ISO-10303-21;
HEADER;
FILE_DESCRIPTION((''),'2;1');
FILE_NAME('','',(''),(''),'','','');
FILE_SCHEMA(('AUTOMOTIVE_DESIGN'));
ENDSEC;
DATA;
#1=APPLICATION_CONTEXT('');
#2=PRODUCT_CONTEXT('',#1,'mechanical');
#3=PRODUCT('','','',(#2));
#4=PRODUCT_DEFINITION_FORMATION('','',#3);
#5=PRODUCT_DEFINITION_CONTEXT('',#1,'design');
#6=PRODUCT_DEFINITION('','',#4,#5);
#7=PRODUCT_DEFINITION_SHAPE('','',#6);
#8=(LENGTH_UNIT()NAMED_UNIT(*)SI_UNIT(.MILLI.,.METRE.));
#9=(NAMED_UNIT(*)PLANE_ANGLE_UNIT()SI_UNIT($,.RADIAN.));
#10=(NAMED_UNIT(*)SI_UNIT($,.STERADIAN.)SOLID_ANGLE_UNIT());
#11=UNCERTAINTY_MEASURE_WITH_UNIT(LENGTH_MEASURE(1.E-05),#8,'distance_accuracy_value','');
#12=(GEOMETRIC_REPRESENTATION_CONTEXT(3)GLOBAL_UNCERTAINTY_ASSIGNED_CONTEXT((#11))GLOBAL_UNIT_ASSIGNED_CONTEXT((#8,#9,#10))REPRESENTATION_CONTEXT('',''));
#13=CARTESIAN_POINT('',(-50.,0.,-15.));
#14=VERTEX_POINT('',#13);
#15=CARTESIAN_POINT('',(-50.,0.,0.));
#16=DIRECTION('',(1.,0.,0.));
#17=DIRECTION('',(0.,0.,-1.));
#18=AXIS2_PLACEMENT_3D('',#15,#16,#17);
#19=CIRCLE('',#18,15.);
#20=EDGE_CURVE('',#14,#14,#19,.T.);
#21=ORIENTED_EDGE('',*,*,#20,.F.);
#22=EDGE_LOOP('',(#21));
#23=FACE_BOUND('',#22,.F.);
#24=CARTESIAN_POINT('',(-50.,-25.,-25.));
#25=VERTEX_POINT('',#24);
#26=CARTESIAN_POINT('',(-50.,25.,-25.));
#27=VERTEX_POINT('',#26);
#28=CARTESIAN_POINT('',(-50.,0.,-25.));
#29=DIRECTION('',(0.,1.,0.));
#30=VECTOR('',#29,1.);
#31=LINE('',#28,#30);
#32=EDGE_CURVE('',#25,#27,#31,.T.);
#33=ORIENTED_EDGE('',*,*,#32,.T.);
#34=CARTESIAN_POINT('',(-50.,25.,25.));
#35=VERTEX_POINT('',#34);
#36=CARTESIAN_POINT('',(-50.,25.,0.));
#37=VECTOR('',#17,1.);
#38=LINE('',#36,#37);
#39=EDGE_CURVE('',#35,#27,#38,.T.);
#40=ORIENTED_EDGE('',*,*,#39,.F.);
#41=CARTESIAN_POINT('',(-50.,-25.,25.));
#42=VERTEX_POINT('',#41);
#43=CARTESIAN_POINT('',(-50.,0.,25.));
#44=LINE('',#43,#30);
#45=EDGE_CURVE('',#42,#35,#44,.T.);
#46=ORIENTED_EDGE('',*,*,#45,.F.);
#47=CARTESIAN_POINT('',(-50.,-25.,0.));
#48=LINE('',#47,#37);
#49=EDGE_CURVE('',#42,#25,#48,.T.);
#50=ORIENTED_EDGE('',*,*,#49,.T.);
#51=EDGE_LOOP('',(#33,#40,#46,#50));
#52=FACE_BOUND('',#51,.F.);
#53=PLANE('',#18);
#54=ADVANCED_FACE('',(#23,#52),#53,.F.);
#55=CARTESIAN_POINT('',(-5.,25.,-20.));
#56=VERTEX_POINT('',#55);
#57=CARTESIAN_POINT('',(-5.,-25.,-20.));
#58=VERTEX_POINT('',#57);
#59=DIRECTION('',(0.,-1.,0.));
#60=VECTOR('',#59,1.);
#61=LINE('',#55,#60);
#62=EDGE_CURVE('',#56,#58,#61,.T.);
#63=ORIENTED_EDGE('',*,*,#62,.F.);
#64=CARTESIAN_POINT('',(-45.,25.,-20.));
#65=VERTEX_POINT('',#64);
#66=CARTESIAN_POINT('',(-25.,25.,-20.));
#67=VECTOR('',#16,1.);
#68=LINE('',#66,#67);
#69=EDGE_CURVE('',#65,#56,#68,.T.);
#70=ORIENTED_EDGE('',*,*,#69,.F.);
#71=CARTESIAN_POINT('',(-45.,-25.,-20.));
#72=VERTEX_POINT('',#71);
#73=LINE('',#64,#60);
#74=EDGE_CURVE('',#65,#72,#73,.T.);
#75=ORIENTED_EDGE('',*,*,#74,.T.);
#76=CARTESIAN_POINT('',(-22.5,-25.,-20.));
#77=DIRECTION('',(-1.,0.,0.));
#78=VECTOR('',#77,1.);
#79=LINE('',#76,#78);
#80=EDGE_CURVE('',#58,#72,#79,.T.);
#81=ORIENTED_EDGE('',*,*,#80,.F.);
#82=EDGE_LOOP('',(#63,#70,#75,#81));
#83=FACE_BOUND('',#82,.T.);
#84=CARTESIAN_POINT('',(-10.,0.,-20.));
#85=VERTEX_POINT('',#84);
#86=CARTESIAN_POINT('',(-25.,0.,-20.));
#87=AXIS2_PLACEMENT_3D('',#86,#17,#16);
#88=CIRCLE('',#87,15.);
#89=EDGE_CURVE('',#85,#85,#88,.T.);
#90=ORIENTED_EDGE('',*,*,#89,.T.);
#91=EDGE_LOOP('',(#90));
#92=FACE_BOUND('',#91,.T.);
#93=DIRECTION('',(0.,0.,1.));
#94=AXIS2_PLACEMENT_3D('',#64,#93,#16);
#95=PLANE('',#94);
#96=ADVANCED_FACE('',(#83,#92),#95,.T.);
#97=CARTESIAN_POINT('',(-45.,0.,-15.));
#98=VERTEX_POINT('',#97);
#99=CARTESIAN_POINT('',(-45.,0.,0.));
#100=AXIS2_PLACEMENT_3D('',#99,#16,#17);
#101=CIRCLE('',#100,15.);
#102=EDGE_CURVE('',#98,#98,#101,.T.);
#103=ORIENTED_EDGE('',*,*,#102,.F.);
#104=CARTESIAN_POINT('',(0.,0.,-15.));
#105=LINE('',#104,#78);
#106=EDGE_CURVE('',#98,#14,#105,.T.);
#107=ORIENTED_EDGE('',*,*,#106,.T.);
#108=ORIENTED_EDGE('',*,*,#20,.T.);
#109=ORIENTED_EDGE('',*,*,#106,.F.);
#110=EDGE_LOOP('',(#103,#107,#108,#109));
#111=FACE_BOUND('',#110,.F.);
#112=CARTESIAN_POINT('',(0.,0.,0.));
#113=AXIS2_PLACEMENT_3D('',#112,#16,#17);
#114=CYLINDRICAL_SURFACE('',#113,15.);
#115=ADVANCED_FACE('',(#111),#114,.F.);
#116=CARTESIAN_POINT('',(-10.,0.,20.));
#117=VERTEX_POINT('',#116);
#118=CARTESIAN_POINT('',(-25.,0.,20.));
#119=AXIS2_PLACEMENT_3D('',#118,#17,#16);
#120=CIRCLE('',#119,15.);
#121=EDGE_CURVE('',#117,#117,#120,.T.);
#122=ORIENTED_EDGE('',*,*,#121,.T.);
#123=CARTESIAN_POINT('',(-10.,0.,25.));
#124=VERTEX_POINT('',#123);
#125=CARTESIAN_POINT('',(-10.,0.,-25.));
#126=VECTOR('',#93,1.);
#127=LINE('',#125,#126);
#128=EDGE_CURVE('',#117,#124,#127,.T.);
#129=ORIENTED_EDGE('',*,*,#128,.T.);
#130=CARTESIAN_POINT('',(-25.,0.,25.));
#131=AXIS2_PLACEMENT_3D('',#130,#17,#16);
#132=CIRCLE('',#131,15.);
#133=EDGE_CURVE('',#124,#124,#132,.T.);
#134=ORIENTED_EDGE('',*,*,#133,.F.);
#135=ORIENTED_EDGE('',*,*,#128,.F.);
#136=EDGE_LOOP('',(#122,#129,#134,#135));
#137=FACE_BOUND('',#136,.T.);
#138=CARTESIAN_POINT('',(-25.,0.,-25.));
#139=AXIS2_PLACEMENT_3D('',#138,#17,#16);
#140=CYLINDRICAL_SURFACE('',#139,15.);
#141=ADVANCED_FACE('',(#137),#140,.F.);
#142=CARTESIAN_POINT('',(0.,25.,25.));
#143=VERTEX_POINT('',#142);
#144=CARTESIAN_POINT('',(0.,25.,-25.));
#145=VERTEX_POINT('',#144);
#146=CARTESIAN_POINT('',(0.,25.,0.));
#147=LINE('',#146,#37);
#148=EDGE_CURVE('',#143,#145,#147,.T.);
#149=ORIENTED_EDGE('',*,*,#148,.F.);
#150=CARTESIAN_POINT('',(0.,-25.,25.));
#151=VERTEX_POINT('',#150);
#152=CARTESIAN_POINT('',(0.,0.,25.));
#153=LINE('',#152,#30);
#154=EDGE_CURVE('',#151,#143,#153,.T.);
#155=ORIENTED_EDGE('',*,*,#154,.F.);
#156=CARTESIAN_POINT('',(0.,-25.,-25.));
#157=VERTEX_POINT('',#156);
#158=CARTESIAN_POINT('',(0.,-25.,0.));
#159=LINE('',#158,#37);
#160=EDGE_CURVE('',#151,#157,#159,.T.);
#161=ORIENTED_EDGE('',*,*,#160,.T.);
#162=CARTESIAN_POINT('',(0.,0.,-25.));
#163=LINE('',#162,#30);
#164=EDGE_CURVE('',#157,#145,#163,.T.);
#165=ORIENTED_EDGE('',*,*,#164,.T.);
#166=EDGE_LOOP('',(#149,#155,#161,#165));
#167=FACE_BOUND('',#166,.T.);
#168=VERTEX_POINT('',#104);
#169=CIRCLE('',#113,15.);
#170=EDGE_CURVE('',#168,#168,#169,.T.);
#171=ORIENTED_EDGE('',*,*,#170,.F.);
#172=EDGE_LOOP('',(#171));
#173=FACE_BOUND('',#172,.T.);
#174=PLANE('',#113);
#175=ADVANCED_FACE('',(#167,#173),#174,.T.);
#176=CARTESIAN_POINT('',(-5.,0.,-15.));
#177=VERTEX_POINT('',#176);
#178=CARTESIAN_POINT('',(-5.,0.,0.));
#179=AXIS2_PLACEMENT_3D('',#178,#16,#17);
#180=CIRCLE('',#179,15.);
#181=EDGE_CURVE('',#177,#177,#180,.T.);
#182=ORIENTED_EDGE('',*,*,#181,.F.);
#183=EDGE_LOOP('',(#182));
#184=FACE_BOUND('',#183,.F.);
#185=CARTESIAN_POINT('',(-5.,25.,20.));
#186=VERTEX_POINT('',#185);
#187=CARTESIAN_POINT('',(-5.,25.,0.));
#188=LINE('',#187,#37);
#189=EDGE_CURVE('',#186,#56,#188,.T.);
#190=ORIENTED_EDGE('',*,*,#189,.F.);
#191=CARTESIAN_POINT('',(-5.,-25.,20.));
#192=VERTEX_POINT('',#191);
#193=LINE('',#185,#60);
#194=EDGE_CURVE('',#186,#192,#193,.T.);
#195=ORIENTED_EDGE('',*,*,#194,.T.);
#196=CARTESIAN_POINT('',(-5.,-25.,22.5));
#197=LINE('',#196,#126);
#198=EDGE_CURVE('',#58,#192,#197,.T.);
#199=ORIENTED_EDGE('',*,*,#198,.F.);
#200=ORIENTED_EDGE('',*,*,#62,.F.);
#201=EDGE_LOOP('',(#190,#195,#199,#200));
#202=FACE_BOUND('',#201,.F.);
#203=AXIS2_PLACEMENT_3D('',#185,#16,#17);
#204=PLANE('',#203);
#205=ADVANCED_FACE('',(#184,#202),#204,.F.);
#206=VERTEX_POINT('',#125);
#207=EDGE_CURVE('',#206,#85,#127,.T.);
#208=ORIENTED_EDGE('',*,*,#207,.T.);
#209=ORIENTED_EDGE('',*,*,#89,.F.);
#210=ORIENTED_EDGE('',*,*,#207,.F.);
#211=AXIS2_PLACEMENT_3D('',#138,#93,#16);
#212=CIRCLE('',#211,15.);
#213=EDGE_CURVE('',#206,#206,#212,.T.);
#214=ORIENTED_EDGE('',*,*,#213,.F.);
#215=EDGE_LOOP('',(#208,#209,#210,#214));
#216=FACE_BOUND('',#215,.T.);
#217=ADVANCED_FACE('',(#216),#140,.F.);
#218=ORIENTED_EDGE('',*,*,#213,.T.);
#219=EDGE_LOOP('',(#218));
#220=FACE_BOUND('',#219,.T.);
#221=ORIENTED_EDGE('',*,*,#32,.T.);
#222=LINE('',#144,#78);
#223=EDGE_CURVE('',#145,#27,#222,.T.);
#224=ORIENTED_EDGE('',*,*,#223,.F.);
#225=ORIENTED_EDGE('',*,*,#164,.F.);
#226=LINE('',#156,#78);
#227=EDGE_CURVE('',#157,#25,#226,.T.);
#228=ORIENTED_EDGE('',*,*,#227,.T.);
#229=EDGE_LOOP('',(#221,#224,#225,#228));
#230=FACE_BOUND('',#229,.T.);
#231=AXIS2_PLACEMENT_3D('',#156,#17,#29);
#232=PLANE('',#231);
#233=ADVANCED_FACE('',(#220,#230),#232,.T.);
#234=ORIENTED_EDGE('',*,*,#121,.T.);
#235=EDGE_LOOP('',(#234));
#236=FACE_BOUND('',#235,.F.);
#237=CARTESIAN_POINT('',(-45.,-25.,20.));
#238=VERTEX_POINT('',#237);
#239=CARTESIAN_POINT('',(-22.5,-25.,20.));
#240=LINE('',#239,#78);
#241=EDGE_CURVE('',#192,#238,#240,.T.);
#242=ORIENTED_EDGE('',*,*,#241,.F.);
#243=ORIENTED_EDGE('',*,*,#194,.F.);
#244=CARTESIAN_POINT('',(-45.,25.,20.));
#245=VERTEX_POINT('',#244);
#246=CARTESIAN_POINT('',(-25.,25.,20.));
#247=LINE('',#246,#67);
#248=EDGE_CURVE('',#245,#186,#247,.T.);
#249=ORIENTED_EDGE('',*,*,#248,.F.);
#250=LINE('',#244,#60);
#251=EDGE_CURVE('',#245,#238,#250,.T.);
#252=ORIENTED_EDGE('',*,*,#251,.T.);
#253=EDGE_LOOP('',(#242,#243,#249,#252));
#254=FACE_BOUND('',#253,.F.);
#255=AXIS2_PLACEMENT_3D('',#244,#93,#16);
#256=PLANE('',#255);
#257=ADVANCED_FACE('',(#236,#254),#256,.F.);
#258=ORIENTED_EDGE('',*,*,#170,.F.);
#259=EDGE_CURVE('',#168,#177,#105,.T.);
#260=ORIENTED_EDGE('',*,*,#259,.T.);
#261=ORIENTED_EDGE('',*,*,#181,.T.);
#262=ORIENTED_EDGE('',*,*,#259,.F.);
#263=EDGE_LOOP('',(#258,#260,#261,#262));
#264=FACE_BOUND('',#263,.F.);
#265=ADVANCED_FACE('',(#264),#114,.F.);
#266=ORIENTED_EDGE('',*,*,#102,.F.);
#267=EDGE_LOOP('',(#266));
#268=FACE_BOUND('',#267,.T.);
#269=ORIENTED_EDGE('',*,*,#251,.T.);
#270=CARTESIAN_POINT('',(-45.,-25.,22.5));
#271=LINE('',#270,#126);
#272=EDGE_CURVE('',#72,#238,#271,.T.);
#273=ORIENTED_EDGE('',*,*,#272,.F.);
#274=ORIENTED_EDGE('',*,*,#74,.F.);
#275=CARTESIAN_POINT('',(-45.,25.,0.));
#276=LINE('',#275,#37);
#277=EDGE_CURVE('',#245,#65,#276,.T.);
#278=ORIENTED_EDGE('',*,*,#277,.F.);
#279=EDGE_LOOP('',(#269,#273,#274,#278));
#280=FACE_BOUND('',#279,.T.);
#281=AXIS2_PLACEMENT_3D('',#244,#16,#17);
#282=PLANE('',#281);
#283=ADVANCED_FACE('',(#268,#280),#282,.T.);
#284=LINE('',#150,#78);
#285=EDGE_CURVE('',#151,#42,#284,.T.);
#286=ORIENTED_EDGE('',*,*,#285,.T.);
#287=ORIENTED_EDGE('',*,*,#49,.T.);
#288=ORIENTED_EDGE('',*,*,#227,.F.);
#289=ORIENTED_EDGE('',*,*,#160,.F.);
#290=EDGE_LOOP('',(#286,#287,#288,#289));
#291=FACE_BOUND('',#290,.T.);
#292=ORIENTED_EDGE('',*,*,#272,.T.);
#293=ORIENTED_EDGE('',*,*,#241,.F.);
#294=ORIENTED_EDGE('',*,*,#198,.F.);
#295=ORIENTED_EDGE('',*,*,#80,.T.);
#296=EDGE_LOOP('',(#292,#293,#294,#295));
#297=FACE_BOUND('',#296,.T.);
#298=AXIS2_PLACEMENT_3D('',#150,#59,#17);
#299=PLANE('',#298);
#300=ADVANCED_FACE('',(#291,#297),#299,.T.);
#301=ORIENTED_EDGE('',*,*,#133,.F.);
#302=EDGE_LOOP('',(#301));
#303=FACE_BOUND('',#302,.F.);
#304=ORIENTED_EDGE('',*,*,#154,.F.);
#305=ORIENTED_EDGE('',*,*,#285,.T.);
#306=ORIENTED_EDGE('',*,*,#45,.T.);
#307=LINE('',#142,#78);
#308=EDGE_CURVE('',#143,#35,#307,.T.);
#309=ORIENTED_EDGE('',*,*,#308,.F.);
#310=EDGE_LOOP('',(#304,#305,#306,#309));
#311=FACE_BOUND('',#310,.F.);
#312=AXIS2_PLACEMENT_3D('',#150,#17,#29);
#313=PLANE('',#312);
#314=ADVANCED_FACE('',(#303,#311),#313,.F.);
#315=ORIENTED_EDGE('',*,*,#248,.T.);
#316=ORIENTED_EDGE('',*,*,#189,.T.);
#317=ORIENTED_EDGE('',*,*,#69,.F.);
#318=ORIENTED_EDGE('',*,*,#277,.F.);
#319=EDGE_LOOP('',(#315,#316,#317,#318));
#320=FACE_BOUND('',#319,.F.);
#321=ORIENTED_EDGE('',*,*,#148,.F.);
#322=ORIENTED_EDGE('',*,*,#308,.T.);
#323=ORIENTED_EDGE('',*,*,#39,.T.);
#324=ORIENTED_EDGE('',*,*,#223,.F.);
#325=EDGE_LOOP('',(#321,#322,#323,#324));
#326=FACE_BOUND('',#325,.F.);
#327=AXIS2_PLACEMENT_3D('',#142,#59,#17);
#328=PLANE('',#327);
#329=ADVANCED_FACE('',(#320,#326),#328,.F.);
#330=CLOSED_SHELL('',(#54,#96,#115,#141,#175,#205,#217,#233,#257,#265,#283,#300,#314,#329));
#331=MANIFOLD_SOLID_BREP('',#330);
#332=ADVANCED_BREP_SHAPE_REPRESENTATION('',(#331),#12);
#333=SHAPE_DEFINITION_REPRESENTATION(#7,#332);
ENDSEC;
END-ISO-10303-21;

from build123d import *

# Parameters (mm, degrees)
SKETCH1_W           = 50
SKETCH1_H           = 50
BOSS_EXTRUDE1_DEPTH = 50
SKETCH2_W           = 40
SKETCH2_H           = 40
CUT_EXTRUDE1_DEPTH  = 51
SKETCH4_R           = 15
CUT_EXTRUDE2_DEPTH  = 51


with BuildPart() as part:
    # Sketch1 → Boss-Extrude1 (new body)
    with BuildSketch(Plane(origin=(0, 0, 0), x_dir=(0, 0, -1), z_dir=(1, 0, 0))):
        Rectangle(SKETCH1_W, SKETCH1_H)
    extrude(amount=-BOSS_EXTRUDE1_DEPTH)

    # Sketch2 → Cut-Extrude1 (cut, through all)
    with BuildSketch(Plane(origin=(0, 25, 0), x_dir=(1, 0, 0), z_dir=(0, 1, 0))):
        with Locations((-25, 0)):
            Rectangle(SKETCH2_W, SKETCH2_H)
    extrude(amount=-CUT_EXTRUDE1_DEPTH, mode=Mode.SUBTRACT)

    # Sketch4 → Cut-Extrude2 (cut, through all)
    with BuildSketch(Plane(origin=(0, 0, 0), x_dir=(0, 0, -1), z_dir=(1, 0, 0))):
        Circle(SKETCH4_R)
    cut_extrude2 = extrude(amount=-CUT_EXTRUDE2_DEPTH, mode=Mode.SUBTRACT)

    # Mirror4: Cut-Extrude2 across plane
    add(cut_extrude2.mirror(Plane(origin=(-12.5, 0, -12.5), x_dir=(-0.707106781, 0, 0.707106781), z_dir=(0.707106781, 0, 0.707106781))), mode=Mode.SUBTRACT)


solid = part.part
